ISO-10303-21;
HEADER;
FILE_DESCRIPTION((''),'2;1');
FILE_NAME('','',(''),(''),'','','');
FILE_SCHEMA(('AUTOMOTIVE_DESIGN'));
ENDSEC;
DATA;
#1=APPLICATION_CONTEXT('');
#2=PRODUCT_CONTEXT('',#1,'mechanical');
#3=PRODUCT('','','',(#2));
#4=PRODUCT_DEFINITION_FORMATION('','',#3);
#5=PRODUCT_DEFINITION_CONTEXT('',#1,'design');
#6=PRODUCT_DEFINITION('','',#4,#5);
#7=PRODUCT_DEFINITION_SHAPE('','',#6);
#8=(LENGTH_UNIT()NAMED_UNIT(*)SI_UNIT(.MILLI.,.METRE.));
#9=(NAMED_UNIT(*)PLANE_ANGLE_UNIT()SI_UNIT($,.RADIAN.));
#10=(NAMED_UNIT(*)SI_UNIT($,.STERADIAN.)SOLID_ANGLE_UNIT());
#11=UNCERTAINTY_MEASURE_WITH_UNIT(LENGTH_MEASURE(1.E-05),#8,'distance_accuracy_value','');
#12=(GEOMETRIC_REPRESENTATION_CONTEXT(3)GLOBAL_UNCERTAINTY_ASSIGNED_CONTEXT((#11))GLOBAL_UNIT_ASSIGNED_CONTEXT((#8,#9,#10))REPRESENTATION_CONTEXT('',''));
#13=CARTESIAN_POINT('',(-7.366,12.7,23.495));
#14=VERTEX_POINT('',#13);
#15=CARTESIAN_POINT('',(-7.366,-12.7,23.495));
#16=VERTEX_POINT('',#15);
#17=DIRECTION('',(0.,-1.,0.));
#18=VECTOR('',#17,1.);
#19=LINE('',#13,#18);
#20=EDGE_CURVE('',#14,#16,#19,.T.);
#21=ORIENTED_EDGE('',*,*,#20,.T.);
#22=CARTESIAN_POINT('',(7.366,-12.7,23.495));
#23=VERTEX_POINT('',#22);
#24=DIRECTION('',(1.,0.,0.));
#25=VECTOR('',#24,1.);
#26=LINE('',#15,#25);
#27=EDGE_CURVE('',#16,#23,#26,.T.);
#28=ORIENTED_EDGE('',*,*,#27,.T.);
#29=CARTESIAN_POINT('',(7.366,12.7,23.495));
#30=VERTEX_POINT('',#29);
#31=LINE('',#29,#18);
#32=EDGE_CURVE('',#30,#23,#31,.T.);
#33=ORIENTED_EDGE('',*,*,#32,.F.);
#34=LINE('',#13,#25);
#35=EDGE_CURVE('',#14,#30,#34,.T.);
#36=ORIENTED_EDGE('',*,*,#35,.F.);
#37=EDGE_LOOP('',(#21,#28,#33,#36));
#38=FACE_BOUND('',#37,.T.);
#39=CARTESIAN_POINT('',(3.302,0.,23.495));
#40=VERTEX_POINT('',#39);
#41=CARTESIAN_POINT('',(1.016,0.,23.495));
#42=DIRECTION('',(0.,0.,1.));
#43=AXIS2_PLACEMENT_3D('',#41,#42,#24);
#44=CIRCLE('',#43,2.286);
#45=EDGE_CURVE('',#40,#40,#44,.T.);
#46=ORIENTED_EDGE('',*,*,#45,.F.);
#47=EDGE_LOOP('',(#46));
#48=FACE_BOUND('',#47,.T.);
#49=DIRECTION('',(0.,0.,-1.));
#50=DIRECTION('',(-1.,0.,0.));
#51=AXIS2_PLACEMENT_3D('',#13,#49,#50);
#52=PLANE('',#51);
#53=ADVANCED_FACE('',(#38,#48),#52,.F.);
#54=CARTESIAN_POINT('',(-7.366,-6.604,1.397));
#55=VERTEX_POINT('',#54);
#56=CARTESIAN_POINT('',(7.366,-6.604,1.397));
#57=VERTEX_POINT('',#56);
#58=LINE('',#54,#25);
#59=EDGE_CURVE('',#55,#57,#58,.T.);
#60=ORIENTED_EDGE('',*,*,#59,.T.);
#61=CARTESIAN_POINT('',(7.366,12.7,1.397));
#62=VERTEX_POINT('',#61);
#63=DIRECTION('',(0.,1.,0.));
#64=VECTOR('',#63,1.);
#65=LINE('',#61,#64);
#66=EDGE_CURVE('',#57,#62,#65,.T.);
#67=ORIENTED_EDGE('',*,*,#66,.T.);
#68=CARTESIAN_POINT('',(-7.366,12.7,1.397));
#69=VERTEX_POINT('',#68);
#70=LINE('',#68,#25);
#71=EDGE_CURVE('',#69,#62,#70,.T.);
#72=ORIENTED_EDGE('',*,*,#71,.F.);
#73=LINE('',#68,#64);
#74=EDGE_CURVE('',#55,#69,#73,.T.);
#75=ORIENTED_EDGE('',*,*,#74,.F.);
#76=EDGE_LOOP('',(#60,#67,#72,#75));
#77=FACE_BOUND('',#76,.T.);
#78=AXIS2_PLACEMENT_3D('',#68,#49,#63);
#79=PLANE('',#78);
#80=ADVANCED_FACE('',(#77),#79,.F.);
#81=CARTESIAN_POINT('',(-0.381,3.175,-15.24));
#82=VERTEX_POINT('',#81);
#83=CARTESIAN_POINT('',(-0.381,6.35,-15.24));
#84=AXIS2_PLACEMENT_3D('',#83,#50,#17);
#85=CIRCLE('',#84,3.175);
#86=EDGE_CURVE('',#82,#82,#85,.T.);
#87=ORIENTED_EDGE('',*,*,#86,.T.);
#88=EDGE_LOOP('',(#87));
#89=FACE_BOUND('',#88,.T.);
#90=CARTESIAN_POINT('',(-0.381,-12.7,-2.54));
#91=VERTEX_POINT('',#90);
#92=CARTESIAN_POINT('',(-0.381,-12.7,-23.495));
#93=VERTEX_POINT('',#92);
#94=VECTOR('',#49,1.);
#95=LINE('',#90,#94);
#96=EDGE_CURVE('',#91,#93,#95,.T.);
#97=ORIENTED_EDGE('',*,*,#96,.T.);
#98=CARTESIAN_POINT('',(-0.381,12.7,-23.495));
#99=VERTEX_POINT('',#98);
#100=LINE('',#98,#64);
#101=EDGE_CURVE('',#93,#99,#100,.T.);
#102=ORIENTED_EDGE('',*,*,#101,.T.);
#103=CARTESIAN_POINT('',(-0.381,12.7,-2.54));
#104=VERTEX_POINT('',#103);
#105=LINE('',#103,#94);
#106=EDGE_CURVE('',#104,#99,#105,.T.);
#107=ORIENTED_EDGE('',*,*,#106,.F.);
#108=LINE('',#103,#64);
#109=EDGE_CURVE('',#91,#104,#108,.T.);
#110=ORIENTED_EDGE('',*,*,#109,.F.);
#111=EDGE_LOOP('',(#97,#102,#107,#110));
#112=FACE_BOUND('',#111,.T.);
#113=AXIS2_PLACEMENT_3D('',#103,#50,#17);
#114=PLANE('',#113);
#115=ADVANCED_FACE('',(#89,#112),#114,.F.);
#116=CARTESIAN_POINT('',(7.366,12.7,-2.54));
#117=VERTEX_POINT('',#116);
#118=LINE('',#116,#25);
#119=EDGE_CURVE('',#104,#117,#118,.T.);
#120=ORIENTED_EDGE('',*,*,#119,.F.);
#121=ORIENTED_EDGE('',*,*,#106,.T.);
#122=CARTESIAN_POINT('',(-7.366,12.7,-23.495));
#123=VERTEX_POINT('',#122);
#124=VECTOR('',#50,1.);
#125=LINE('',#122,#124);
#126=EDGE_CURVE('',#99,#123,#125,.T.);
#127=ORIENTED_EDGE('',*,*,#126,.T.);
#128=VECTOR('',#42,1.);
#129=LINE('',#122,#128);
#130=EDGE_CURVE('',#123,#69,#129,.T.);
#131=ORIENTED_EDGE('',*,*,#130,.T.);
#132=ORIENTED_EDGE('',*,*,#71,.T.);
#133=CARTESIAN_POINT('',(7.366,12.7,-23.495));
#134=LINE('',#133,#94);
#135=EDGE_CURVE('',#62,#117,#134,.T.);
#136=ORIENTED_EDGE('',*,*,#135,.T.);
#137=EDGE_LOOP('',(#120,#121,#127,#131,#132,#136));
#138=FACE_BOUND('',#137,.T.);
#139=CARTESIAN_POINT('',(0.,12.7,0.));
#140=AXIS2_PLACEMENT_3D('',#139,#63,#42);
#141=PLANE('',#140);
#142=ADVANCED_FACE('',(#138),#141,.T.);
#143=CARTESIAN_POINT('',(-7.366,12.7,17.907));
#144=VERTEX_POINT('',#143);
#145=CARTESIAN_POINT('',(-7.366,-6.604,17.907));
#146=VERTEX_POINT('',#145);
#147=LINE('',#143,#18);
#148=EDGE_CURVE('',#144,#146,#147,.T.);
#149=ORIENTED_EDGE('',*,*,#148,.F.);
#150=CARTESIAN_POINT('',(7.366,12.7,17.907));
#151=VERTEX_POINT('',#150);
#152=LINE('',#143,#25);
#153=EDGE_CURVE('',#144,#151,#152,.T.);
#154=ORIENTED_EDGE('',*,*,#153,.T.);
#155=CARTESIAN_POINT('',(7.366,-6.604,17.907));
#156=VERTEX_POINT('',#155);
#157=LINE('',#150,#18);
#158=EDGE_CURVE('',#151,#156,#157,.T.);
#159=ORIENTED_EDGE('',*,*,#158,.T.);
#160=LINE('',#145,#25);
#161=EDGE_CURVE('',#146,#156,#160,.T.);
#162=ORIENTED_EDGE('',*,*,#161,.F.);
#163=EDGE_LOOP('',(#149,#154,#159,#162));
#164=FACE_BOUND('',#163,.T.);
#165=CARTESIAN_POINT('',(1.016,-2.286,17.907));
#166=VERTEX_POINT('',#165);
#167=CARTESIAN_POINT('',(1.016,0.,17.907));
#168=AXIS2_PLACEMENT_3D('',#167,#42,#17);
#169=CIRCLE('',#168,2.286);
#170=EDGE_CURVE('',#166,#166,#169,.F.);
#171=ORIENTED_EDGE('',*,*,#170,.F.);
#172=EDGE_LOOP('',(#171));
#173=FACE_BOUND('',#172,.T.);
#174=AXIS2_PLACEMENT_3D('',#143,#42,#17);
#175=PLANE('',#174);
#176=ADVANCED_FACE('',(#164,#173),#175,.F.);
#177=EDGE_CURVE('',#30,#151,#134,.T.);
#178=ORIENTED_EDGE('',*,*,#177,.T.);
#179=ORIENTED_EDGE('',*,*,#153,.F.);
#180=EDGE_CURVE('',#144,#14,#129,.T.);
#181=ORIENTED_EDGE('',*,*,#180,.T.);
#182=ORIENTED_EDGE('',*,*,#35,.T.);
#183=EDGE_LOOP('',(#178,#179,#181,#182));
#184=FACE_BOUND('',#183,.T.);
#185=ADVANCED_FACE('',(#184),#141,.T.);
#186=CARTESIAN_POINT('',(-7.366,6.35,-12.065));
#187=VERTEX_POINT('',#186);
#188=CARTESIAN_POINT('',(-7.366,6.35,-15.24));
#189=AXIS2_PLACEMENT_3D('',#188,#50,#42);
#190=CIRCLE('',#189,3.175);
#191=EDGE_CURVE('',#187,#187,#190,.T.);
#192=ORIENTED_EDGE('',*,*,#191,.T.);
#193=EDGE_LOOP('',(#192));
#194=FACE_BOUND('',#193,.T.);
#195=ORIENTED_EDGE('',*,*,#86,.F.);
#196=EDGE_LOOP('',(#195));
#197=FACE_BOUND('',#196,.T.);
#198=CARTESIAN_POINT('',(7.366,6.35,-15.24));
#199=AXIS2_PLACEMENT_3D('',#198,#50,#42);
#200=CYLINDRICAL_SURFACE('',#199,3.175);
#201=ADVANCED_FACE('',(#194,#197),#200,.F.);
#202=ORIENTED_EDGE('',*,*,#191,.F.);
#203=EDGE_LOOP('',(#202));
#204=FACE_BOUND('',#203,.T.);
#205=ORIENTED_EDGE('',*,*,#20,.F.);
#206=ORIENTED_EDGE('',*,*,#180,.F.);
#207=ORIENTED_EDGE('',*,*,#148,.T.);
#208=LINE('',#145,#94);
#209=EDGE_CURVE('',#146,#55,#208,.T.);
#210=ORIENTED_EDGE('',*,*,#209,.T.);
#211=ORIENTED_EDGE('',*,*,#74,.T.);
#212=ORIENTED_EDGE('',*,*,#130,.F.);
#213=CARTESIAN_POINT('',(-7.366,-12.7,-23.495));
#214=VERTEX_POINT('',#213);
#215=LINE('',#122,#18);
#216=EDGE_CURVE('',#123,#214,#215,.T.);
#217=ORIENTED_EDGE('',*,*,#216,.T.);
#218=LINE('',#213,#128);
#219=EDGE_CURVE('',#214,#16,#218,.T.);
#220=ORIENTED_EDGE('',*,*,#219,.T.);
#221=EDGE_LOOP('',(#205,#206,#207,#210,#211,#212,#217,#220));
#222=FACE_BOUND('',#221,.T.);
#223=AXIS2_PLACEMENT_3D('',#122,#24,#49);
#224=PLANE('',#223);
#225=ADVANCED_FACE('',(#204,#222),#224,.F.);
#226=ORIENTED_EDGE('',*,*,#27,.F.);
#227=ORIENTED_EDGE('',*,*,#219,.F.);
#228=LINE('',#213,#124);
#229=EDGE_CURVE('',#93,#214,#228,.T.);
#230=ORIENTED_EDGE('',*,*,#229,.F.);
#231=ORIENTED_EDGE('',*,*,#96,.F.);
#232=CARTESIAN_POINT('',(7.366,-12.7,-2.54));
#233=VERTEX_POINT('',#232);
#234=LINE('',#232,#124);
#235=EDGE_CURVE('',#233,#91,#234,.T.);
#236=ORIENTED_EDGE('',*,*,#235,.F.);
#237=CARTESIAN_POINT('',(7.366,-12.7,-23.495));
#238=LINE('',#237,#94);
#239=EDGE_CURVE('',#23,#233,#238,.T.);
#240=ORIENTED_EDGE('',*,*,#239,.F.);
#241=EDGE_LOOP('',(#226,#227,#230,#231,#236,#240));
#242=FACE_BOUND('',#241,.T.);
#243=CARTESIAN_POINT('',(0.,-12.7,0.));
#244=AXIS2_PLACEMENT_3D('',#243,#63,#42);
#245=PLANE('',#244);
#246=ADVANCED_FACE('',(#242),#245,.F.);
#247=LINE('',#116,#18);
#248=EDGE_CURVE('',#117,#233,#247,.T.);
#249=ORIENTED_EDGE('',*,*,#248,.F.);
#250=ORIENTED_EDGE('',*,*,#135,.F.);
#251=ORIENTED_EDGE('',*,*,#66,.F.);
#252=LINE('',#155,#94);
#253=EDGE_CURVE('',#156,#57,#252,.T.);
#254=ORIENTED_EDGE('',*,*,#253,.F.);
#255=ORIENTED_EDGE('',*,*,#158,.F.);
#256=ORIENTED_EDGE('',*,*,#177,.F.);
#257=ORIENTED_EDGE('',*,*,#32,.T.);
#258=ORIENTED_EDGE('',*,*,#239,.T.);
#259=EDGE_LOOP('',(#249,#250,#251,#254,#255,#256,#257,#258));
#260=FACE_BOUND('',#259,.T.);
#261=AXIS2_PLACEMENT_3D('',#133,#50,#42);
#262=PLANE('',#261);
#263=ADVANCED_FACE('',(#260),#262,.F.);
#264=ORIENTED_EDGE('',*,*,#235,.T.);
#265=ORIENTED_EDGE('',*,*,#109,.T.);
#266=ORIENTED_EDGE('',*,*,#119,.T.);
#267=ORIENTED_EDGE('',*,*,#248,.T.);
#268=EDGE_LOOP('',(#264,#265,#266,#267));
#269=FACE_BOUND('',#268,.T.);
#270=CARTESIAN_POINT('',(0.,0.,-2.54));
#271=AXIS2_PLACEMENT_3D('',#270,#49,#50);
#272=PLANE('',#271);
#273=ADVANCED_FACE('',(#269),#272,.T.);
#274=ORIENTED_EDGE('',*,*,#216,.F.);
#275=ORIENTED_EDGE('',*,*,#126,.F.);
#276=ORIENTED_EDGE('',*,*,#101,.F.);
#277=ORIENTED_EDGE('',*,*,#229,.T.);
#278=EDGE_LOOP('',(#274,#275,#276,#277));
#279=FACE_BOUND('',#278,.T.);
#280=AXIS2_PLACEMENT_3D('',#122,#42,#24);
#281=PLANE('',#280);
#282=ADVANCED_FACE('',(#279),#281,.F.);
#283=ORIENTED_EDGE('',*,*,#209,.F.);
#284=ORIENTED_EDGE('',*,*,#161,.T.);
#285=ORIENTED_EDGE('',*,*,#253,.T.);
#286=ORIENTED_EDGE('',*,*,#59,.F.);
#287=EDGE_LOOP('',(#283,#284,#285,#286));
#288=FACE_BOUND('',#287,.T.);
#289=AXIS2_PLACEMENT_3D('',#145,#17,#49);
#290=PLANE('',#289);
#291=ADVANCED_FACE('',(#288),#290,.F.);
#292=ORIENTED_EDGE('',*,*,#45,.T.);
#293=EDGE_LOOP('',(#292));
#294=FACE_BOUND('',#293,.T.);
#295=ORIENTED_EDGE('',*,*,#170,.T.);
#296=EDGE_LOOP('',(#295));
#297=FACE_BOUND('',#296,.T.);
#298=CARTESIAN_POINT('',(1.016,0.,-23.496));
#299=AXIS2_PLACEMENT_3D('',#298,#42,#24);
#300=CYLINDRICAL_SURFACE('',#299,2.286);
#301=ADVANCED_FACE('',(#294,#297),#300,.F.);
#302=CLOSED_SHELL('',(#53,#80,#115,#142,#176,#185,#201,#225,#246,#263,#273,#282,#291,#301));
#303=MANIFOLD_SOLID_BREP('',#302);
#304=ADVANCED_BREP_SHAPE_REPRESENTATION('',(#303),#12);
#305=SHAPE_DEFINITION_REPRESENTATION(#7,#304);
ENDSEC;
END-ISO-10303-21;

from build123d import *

# Parameters (mm, degrees)
SKETCH1_W           = 14.732
SKETCH1_H           = 46.99
BOSS_EXTRUDE1_DEPTH = 12.7
SKETCH2_W           = 16.51
SKETCH2_H           = 19.304
CUT_EXTRUDE1_DEPTH  = 15.732
CUT_EXTRUDE2_REACH  = 48.99
SKETCH3_R           = 2.286
SKETCH4_W           = 7.747
SKETCH4_H           = 25.4
CUT_EXTRUDE3_DEPTH  = 20.955
SKETCH5_R           = 3.175
CUT_EXTRUDE4_DEPTH  = 15.732


with BuildPart() as part:
    # Sketch1 → Boss-Extrude1 (new body, symmetric)
    with BuildSketch(Plane(origin=(0, 0, 0), x_dir=(1, 0, 0), z_dir=(0, 1, 0))):
        Rectangle(SKETCH1_W, SKETCH1_H)
    extrude(amount=BOSS_EXTRUDE1_DEPTH, both=True)

    # Sketch2 → Cut-Extrude1 (cut, through all)
    with BuildSketch(Plane(origin=(7.366, 0, 0), x_dir=(0, 0, -1), z_dir=(1, 0, 0))):
        with Locations((-9.652, 3.048)):
            Rectangle(SKETCH2_W, SKETCH2_H)
    extrude(amount=-CUT_EXTRUDE1_DEPTH, mode=Mode.SUBTRACT)

    # Sketch3 → Cut-Extrude2 (cut, up to next)
    with BuildSketch(Plane.XY.offset(23.495), mode=Mode.PRIVATE) as cut_extrude2_sk1:
        with Locations((1.016, 0)):
            Circle(SKETCH3_R)
    cut_extrude2_tool1 = extrude(cut_extrude2_sk1.sketch, amount=-CUT_EXTRUDE2_REACH, mode=Mode.PRIVATE) & part.part
    add(cut_extrude2_tool1.solids().sort_by_distance((1.016, 0, 23.495))[0], mode=Mode.SUBTRACT)

    # Sketch4 → Cut-Extrude3 (cut)
    with BuildSketch(Plane(origin=(0, 0, -23.495), x_dir=(-1, 0, 0), z_dir=(0, 0, -1))):
        with Locations((-3.4925, 0)):
            Rectangle(SKETCH4_W, SKETCH4_H)
    extrude(amount=-CUT_EXTRUDE3_DEPTH, mode=Mode.SUBTRACT)

    # Sketch5 → Cut-Extrude4 (cut, through all)
    with BuildSketch(Plane.ZY.offset(7.366)):
        with Locations((-15.24, 6.35)):
            Circle(SKETCH5_R)
    extrude(amount=-CUT_EXTRUDE4_DEPTH, mode=Mode.SUBTRACT)


solid = part.part
